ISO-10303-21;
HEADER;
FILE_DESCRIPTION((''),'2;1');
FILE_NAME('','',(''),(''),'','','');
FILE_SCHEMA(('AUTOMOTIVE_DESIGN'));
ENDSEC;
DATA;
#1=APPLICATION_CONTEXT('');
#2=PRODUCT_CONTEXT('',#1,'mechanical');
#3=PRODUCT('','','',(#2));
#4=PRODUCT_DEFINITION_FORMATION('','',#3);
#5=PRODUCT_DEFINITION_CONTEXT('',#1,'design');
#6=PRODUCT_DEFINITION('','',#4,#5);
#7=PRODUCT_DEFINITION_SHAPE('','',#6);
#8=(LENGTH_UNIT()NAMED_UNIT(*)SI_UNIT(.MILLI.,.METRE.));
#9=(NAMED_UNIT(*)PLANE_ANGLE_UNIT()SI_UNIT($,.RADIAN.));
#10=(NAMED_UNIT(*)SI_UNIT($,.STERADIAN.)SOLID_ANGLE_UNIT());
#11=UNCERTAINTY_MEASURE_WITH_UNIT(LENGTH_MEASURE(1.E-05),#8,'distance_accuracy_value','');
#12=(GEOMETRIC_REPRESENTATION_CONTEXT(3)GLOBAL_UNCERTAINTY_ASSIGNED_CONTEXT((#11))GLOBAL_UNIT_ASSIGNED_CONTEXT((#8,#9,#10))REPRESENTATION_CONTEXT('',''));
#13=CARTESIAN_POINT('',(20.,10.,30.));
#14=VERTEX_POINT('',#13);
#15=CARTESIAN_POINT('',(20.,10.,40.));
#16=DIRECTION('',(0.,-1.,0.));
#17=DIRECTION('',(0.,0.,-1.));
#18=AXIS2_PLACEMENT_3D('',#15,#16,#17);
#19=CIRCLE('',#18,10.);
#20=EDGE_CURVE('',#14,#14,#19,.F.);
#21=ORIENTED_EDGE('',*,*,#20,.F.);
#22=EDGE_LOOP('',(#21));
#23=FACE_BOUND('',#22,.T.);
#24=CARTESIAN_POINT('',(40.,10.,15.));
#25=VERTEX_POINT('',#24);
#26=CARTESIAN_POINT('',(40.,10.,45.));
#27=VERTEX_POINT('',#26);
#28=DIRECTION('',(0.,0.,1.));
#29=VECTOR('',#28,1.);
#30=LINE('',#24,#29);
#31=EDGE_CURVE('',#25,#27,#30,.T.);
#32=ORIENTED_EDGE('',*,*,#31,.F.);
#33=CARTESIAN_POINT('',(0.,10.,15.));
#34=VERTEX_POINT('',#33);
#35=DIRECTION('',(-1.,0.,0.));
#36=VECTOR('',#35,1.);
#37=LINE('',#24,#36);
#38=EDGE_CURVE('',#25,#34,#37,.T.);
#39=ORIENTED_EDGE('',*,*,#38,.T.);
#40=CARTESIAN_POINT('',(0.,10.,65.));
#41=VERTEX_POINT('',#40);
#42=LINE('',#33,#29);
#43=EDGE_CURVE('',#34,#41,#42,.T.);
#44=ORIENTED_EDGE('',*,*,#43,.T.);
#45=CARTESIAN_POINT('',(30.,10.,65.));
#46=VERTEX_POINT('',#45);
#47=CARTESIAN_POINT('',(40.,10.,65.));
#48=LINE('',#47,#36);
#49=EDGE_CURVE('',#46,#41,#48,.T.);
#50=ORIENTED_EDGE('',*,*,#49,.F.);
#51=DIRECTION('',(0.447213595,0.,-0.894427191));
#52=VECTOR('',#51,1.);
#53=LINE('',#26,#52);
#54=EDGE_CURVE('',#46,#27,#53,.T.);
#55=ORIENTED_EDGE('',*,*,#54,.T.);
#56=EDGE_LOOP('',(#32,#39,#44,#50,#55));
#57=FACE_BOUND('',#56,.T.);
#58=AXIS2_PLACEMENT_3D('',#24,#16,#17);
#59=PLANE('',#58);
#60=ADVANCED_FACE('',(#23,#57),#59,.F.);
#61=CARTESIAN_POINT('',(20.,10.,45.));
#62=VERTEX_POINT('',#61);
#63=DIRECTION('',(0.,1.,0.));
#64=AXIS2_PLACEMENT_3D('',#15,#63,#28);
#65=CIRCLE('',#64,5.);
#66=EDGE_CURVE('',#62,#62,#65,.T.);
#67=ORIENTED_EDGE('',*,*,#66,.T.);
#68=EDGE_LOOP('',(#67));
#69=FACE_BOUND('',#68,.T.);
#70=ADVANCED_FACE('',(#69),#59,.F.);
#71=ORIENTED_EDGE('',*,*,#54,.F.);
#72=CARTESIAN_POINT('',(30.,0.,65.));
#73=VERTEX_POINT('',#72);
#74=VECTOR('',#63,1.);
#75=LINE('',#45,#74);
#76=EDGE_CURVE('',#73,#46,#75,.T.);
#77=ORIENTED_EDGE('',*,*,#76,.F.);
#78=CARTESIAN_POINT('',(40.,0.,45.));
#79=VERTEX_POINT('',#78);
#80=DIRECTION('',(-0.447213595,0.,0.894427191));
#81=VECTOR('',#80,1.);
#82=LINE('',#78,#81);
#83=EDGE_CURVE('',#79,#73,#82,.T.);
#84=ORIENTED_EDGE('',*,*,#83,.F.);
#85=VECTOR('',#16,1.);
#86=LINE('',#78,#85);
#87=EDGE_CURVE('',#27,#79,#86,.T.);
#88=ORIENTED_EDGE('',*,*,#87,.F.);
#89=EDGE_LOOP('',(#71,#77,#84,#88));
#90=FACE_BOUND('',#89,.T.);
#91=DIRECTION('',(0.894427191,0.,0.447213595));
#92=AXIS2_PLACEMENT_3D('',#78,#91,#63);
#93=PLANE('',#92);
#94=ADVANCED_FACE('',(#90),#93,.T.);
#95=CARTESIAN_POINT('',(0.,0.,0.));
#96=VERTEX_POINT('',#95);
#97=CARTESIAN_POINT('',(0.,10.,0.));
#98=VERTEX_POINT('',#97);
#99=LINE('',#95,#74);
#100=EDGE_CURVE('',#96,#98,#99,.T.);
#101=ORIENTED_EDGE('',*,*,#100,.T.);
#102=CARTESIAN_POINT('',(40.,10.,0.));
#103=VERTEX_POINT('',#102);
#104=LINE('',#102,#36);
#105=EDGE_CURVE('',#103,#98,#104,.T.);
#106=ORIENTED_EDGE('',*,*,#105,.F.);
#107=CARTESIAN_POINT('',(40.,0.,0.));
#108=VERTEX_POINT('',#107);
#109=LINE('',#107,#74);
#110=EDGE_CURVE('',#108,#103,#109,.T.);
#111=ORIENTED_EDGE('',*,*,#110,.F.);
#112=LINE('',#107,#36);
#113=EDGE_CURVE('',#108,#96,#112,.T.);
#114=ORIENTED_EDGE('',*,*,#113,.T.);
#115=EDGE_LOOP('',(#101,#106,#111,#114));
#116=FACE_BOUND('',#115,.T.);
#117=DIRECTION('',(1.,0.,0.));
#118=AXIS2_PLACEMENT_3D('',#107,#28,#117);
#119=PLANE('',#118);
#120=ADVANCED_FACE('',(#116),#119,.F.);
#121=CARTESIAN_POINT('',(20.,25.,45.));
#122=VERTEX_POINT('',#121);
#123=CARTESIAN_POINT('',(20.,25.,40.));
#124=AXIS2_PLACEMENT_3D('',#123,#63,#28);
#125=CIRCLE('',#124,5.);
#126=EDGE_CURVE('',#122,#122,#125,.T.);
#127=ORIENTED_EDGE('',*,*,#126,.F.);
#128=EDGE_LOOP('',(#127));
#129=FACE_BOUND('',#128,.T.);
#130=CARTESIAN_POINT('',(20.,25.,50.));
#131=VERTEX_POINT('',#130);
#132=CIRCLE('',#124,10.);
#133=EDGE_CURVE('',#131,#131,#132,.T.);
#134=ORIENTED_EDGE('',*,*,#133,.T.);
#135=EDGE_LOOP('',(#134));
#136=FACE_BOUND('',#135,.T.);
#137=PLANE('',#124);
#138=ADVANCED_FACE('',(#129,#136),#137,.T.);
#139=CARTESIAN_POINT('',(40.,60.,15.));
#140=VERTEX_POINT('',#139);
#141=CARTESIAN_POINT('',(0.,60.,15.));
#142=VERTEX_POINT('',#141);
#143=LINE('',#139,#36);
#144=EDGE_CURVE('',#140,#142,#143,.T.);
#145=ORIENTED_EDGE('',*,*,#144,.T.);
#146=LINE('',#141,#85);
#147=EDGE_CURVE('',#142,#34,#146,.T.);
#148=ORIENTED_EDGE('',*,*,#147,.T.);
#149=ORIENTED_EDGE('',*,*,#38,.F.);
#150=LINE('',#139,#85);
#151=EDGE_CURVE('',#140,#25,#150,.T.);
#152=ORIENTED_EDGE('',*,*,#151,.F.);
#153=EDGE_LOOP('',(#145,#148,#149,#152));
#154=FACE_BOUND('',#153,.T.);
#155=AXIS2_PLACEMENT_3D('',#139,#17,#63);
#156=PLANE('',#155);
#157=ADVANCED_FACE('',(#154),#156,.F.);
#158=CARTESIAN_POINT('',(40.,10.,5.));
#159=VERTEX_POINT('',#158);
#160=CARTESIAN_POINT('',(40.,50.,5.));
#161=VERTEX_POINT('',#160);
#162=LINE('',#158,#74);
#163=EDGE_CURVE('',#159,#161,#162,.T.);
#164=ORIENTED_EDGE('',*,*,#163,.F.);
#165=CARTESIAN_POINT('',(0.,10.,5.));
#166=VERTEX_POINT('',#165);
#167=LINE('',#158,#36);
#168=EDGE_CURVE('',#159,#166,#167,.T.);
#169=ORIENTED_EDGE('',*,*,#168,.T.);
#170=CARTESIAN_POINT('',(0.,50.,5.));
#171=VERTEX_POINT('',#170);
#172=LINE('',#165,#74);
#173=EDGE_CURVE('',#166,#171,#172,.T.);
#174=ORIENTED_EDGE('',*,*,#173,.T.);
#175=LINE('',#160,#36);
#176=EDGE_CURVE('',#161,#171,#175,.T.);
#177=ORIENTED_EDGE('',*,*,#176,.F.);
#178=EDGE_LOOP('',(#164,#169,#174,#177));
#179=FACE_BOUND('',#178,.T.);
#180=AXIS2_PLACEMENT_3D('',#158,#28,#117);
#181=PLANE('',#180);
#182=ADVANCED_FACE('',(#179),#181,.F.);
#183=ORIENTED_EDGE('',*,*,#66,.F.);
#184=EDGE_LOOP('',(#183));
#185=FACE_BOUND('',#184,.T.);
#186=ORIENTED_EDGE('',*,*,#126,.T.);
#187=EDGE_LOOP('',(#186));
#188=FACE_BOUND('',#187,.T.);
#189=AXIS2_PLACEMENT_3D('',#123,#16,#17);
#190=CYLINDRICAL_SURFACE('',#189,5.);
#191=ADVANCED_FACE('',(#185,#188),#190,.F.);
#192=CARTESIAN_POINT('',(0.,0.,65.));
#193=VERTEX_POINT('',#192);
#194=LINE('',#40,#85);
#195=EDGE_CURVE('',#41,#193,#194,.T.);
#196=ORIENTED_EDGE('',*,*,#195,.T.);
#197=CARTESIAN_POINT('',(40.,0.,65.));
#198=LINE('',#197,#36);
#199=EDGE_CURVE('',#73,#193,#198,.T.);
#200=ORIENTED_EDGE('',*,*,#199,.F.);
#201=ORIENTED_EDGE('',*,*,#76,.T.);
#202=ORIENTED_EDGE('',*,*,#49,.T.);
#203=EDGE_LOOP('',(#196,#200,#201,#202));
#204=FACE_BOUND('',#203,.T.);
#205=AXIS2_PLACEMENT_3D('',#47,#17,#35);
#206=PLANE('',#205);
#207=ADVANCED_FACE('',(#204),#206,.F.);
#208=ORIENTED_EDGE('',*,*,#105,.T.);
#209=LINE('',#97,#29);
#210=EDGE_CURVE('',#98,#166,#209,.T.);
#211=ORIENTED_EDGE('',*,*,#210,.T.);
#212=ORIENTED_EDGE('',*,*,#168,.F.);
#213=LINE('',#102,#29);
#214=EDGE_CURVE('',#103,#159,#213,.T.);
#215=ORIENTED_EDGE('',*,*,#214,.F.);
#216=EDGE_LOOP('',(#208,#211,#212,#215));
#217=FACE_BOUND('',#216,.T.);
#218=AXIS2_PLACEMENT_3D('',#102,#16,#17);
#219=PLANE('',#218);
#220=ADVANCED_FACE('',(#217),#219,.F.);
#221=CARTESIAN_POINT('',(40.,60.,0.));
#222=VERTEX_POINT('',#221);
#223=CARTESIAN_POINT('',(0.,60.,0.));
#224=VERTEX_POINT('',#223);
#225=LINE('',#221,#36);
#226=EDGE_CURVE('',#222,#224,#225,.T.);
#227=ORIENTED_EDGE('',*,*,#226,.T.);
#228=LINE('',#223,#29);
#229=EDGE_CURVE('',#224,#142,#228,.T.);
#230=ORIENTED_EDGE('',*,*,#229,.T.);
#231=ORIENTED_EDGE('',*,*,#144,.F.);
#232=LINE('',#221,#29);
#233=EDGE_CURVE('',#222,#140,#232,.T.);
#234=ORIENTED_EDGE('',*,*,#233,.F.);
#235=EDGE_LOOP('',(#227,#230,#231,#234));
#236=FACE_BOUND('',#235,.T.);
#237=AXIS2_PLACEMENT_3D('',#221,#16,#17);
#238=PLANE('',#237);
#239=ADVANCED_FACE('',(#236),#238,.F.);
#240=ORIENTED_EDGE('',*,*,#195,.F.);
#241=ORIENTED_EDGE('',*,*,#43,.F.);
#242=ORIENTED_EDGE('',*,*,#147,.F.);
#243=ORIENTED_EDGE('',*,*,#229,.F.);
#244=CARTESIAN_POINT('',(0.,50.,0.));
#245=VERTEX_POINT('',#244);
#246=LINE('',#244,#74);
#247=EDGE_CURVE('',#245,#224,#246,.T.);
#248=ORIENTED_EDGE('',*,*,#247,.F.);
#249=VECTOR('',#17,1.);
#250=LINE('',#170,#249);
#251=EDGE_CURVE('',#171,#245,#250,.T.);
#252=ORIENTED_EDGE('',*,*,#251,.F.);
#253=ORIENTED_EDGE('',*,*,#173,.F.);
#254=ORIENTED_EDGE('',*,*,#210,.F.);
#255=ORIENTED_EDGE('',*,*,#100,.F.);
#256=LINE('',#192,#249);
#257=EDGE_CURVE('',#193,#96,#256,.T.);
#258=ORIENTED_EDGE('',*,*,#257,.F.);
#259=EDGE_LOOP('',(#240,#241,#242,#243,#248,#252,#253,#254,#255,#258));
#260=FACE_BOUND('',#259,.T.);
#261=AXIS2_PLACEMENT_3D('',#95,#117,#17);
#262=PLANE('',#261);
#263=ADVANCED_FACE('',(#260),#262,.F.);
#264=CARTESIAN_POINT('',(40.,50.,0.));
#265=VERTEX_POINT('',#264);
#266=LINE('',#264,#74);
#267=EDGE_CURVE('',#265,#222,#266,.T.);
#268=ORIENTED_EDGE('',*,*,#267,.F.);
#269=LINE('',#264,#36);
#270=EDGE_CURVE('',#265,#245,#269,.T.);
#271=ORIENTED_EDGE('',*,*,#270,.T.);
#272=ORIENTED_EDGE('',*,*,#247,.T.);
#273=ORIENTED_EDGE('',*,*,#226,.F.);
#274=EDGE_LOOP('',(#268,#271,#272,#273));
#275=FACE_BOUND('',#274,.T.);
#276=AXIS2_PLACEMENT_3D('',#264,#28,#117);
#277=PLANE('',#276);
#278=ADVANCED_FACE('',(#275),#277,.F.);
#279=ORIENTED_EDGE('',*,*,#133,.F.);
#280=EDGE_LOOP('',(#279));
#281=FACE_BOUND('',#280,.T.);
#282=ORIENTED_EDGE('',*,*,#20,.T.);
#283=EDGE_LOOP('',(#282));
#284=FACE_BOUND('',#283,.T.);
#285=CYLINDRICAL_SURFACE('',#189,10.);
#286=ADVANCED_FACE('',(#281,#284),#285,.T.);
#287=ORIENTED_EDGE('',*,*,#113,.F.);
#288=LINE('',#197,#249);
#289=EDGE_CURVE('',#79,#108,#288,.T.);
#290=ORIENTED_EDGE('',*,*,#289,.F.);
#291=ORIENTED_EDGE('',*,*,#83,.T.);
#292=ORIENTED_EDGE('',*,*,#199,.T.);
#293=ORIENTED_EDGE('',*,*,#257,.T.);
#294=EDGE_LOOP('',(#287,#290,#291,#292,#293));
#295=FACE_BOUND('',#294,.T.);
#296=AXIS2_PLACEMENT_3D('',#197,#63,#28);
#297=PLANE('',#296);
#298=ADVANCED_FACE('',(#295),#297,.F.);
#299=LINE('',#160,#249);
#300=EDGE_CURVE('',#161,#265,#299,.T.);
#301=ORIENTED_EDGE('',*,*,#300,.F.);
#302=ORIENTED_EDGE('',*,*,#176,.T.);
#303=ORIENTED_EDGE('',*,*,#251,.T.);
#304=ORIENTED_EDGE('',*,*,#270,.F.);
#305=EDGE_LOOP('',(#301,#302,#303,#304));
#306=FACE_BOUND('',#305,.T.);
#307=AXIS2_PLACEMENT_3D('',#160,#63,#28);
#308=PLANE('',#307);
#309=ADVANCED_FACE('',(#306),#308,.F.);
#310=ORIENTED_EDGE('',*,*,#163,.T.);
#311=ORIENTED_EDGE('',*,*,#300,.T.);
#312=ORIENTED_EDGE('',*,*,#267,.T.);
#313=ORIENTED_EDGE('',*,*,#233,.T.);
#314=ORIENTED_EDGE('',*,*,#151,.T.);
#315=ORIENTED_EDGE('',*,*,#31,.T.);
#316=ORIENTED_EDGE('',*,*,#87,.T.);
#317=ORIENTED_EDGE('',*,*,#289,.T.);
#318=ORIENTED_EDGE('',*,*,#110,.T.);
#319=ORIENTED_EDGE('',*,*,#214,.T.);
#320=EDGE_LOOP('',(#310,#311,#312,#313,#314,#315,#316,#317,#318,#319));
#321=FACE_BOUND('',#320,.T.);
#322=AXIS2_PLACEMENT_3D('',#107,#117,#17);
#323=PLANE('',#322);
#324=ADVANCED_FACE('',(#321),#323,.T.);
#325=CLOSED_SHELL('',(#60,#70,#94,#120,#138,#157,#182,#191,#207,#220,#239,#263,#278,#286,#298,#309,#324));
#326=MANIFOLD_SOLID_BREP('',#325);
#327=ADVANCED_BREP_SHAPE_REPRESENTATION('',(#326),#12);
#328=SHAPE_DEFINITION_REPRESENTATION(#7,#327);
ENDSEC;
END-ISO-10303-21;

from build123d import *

# Parameters (mm, degrees)
BOSS_EXTRUDE1_DEPTH = 40
CHAMFER2_SIZE       = 10
CHAMFER2_SIZE2      = 20
SKETCH2_R           = 10
SKETCH2_R_2         = 5
BOSS_EXTRUDE2_DEPTH = 15


with BuildPart() as part:
    # Sketch1 → Boss-Extrude1 (new body)
    with BuildSketch(Plane.YZ):
        Polygon((0, 0), (10, 0), (10, 5), (50, 5), (50, 0), (60, 0), (60, 15), (10, 15), (10, 65), (0, 65), align=None)
    extrude(amount=BOSS_EXTRUDE1_DEPTH)

    # Chamfer2
    chamfer2_edges = [part.edges().sort_by_distance(p)[0] for p in [
        (40, 5, 65),
    ]]
    chamfer2_side = [part.faces().sort_by_distance(p)[0] for p in [
        (20, 5, 65),
    ]]
    chamfer(chamfer2_edges, length=CHAMFER2_SIZE, length2=CHAMFER2_SIZE2, reference=chamfer2_side[0])

    # Sketch2 → Boss-Extrude2 (add)
    with BuildSketch(Plane(origin=(0, 10, 0), x_dir=(-1, 0, 0), z_dir=(0, 1, 0))):
        with Locations(Location((-20, 40, 0), (0, 0, 270))):
            Circle(SKETCH2_R)
        with Locations(Location((-20, 40, 0), (0, 0, 90))):
            Circle(SKETCH2_R_2, mode=Mode.SUBTRACT)
    extrude(amount=BOSS_EXTRUDE2_DEPTH)


solid = part.part
